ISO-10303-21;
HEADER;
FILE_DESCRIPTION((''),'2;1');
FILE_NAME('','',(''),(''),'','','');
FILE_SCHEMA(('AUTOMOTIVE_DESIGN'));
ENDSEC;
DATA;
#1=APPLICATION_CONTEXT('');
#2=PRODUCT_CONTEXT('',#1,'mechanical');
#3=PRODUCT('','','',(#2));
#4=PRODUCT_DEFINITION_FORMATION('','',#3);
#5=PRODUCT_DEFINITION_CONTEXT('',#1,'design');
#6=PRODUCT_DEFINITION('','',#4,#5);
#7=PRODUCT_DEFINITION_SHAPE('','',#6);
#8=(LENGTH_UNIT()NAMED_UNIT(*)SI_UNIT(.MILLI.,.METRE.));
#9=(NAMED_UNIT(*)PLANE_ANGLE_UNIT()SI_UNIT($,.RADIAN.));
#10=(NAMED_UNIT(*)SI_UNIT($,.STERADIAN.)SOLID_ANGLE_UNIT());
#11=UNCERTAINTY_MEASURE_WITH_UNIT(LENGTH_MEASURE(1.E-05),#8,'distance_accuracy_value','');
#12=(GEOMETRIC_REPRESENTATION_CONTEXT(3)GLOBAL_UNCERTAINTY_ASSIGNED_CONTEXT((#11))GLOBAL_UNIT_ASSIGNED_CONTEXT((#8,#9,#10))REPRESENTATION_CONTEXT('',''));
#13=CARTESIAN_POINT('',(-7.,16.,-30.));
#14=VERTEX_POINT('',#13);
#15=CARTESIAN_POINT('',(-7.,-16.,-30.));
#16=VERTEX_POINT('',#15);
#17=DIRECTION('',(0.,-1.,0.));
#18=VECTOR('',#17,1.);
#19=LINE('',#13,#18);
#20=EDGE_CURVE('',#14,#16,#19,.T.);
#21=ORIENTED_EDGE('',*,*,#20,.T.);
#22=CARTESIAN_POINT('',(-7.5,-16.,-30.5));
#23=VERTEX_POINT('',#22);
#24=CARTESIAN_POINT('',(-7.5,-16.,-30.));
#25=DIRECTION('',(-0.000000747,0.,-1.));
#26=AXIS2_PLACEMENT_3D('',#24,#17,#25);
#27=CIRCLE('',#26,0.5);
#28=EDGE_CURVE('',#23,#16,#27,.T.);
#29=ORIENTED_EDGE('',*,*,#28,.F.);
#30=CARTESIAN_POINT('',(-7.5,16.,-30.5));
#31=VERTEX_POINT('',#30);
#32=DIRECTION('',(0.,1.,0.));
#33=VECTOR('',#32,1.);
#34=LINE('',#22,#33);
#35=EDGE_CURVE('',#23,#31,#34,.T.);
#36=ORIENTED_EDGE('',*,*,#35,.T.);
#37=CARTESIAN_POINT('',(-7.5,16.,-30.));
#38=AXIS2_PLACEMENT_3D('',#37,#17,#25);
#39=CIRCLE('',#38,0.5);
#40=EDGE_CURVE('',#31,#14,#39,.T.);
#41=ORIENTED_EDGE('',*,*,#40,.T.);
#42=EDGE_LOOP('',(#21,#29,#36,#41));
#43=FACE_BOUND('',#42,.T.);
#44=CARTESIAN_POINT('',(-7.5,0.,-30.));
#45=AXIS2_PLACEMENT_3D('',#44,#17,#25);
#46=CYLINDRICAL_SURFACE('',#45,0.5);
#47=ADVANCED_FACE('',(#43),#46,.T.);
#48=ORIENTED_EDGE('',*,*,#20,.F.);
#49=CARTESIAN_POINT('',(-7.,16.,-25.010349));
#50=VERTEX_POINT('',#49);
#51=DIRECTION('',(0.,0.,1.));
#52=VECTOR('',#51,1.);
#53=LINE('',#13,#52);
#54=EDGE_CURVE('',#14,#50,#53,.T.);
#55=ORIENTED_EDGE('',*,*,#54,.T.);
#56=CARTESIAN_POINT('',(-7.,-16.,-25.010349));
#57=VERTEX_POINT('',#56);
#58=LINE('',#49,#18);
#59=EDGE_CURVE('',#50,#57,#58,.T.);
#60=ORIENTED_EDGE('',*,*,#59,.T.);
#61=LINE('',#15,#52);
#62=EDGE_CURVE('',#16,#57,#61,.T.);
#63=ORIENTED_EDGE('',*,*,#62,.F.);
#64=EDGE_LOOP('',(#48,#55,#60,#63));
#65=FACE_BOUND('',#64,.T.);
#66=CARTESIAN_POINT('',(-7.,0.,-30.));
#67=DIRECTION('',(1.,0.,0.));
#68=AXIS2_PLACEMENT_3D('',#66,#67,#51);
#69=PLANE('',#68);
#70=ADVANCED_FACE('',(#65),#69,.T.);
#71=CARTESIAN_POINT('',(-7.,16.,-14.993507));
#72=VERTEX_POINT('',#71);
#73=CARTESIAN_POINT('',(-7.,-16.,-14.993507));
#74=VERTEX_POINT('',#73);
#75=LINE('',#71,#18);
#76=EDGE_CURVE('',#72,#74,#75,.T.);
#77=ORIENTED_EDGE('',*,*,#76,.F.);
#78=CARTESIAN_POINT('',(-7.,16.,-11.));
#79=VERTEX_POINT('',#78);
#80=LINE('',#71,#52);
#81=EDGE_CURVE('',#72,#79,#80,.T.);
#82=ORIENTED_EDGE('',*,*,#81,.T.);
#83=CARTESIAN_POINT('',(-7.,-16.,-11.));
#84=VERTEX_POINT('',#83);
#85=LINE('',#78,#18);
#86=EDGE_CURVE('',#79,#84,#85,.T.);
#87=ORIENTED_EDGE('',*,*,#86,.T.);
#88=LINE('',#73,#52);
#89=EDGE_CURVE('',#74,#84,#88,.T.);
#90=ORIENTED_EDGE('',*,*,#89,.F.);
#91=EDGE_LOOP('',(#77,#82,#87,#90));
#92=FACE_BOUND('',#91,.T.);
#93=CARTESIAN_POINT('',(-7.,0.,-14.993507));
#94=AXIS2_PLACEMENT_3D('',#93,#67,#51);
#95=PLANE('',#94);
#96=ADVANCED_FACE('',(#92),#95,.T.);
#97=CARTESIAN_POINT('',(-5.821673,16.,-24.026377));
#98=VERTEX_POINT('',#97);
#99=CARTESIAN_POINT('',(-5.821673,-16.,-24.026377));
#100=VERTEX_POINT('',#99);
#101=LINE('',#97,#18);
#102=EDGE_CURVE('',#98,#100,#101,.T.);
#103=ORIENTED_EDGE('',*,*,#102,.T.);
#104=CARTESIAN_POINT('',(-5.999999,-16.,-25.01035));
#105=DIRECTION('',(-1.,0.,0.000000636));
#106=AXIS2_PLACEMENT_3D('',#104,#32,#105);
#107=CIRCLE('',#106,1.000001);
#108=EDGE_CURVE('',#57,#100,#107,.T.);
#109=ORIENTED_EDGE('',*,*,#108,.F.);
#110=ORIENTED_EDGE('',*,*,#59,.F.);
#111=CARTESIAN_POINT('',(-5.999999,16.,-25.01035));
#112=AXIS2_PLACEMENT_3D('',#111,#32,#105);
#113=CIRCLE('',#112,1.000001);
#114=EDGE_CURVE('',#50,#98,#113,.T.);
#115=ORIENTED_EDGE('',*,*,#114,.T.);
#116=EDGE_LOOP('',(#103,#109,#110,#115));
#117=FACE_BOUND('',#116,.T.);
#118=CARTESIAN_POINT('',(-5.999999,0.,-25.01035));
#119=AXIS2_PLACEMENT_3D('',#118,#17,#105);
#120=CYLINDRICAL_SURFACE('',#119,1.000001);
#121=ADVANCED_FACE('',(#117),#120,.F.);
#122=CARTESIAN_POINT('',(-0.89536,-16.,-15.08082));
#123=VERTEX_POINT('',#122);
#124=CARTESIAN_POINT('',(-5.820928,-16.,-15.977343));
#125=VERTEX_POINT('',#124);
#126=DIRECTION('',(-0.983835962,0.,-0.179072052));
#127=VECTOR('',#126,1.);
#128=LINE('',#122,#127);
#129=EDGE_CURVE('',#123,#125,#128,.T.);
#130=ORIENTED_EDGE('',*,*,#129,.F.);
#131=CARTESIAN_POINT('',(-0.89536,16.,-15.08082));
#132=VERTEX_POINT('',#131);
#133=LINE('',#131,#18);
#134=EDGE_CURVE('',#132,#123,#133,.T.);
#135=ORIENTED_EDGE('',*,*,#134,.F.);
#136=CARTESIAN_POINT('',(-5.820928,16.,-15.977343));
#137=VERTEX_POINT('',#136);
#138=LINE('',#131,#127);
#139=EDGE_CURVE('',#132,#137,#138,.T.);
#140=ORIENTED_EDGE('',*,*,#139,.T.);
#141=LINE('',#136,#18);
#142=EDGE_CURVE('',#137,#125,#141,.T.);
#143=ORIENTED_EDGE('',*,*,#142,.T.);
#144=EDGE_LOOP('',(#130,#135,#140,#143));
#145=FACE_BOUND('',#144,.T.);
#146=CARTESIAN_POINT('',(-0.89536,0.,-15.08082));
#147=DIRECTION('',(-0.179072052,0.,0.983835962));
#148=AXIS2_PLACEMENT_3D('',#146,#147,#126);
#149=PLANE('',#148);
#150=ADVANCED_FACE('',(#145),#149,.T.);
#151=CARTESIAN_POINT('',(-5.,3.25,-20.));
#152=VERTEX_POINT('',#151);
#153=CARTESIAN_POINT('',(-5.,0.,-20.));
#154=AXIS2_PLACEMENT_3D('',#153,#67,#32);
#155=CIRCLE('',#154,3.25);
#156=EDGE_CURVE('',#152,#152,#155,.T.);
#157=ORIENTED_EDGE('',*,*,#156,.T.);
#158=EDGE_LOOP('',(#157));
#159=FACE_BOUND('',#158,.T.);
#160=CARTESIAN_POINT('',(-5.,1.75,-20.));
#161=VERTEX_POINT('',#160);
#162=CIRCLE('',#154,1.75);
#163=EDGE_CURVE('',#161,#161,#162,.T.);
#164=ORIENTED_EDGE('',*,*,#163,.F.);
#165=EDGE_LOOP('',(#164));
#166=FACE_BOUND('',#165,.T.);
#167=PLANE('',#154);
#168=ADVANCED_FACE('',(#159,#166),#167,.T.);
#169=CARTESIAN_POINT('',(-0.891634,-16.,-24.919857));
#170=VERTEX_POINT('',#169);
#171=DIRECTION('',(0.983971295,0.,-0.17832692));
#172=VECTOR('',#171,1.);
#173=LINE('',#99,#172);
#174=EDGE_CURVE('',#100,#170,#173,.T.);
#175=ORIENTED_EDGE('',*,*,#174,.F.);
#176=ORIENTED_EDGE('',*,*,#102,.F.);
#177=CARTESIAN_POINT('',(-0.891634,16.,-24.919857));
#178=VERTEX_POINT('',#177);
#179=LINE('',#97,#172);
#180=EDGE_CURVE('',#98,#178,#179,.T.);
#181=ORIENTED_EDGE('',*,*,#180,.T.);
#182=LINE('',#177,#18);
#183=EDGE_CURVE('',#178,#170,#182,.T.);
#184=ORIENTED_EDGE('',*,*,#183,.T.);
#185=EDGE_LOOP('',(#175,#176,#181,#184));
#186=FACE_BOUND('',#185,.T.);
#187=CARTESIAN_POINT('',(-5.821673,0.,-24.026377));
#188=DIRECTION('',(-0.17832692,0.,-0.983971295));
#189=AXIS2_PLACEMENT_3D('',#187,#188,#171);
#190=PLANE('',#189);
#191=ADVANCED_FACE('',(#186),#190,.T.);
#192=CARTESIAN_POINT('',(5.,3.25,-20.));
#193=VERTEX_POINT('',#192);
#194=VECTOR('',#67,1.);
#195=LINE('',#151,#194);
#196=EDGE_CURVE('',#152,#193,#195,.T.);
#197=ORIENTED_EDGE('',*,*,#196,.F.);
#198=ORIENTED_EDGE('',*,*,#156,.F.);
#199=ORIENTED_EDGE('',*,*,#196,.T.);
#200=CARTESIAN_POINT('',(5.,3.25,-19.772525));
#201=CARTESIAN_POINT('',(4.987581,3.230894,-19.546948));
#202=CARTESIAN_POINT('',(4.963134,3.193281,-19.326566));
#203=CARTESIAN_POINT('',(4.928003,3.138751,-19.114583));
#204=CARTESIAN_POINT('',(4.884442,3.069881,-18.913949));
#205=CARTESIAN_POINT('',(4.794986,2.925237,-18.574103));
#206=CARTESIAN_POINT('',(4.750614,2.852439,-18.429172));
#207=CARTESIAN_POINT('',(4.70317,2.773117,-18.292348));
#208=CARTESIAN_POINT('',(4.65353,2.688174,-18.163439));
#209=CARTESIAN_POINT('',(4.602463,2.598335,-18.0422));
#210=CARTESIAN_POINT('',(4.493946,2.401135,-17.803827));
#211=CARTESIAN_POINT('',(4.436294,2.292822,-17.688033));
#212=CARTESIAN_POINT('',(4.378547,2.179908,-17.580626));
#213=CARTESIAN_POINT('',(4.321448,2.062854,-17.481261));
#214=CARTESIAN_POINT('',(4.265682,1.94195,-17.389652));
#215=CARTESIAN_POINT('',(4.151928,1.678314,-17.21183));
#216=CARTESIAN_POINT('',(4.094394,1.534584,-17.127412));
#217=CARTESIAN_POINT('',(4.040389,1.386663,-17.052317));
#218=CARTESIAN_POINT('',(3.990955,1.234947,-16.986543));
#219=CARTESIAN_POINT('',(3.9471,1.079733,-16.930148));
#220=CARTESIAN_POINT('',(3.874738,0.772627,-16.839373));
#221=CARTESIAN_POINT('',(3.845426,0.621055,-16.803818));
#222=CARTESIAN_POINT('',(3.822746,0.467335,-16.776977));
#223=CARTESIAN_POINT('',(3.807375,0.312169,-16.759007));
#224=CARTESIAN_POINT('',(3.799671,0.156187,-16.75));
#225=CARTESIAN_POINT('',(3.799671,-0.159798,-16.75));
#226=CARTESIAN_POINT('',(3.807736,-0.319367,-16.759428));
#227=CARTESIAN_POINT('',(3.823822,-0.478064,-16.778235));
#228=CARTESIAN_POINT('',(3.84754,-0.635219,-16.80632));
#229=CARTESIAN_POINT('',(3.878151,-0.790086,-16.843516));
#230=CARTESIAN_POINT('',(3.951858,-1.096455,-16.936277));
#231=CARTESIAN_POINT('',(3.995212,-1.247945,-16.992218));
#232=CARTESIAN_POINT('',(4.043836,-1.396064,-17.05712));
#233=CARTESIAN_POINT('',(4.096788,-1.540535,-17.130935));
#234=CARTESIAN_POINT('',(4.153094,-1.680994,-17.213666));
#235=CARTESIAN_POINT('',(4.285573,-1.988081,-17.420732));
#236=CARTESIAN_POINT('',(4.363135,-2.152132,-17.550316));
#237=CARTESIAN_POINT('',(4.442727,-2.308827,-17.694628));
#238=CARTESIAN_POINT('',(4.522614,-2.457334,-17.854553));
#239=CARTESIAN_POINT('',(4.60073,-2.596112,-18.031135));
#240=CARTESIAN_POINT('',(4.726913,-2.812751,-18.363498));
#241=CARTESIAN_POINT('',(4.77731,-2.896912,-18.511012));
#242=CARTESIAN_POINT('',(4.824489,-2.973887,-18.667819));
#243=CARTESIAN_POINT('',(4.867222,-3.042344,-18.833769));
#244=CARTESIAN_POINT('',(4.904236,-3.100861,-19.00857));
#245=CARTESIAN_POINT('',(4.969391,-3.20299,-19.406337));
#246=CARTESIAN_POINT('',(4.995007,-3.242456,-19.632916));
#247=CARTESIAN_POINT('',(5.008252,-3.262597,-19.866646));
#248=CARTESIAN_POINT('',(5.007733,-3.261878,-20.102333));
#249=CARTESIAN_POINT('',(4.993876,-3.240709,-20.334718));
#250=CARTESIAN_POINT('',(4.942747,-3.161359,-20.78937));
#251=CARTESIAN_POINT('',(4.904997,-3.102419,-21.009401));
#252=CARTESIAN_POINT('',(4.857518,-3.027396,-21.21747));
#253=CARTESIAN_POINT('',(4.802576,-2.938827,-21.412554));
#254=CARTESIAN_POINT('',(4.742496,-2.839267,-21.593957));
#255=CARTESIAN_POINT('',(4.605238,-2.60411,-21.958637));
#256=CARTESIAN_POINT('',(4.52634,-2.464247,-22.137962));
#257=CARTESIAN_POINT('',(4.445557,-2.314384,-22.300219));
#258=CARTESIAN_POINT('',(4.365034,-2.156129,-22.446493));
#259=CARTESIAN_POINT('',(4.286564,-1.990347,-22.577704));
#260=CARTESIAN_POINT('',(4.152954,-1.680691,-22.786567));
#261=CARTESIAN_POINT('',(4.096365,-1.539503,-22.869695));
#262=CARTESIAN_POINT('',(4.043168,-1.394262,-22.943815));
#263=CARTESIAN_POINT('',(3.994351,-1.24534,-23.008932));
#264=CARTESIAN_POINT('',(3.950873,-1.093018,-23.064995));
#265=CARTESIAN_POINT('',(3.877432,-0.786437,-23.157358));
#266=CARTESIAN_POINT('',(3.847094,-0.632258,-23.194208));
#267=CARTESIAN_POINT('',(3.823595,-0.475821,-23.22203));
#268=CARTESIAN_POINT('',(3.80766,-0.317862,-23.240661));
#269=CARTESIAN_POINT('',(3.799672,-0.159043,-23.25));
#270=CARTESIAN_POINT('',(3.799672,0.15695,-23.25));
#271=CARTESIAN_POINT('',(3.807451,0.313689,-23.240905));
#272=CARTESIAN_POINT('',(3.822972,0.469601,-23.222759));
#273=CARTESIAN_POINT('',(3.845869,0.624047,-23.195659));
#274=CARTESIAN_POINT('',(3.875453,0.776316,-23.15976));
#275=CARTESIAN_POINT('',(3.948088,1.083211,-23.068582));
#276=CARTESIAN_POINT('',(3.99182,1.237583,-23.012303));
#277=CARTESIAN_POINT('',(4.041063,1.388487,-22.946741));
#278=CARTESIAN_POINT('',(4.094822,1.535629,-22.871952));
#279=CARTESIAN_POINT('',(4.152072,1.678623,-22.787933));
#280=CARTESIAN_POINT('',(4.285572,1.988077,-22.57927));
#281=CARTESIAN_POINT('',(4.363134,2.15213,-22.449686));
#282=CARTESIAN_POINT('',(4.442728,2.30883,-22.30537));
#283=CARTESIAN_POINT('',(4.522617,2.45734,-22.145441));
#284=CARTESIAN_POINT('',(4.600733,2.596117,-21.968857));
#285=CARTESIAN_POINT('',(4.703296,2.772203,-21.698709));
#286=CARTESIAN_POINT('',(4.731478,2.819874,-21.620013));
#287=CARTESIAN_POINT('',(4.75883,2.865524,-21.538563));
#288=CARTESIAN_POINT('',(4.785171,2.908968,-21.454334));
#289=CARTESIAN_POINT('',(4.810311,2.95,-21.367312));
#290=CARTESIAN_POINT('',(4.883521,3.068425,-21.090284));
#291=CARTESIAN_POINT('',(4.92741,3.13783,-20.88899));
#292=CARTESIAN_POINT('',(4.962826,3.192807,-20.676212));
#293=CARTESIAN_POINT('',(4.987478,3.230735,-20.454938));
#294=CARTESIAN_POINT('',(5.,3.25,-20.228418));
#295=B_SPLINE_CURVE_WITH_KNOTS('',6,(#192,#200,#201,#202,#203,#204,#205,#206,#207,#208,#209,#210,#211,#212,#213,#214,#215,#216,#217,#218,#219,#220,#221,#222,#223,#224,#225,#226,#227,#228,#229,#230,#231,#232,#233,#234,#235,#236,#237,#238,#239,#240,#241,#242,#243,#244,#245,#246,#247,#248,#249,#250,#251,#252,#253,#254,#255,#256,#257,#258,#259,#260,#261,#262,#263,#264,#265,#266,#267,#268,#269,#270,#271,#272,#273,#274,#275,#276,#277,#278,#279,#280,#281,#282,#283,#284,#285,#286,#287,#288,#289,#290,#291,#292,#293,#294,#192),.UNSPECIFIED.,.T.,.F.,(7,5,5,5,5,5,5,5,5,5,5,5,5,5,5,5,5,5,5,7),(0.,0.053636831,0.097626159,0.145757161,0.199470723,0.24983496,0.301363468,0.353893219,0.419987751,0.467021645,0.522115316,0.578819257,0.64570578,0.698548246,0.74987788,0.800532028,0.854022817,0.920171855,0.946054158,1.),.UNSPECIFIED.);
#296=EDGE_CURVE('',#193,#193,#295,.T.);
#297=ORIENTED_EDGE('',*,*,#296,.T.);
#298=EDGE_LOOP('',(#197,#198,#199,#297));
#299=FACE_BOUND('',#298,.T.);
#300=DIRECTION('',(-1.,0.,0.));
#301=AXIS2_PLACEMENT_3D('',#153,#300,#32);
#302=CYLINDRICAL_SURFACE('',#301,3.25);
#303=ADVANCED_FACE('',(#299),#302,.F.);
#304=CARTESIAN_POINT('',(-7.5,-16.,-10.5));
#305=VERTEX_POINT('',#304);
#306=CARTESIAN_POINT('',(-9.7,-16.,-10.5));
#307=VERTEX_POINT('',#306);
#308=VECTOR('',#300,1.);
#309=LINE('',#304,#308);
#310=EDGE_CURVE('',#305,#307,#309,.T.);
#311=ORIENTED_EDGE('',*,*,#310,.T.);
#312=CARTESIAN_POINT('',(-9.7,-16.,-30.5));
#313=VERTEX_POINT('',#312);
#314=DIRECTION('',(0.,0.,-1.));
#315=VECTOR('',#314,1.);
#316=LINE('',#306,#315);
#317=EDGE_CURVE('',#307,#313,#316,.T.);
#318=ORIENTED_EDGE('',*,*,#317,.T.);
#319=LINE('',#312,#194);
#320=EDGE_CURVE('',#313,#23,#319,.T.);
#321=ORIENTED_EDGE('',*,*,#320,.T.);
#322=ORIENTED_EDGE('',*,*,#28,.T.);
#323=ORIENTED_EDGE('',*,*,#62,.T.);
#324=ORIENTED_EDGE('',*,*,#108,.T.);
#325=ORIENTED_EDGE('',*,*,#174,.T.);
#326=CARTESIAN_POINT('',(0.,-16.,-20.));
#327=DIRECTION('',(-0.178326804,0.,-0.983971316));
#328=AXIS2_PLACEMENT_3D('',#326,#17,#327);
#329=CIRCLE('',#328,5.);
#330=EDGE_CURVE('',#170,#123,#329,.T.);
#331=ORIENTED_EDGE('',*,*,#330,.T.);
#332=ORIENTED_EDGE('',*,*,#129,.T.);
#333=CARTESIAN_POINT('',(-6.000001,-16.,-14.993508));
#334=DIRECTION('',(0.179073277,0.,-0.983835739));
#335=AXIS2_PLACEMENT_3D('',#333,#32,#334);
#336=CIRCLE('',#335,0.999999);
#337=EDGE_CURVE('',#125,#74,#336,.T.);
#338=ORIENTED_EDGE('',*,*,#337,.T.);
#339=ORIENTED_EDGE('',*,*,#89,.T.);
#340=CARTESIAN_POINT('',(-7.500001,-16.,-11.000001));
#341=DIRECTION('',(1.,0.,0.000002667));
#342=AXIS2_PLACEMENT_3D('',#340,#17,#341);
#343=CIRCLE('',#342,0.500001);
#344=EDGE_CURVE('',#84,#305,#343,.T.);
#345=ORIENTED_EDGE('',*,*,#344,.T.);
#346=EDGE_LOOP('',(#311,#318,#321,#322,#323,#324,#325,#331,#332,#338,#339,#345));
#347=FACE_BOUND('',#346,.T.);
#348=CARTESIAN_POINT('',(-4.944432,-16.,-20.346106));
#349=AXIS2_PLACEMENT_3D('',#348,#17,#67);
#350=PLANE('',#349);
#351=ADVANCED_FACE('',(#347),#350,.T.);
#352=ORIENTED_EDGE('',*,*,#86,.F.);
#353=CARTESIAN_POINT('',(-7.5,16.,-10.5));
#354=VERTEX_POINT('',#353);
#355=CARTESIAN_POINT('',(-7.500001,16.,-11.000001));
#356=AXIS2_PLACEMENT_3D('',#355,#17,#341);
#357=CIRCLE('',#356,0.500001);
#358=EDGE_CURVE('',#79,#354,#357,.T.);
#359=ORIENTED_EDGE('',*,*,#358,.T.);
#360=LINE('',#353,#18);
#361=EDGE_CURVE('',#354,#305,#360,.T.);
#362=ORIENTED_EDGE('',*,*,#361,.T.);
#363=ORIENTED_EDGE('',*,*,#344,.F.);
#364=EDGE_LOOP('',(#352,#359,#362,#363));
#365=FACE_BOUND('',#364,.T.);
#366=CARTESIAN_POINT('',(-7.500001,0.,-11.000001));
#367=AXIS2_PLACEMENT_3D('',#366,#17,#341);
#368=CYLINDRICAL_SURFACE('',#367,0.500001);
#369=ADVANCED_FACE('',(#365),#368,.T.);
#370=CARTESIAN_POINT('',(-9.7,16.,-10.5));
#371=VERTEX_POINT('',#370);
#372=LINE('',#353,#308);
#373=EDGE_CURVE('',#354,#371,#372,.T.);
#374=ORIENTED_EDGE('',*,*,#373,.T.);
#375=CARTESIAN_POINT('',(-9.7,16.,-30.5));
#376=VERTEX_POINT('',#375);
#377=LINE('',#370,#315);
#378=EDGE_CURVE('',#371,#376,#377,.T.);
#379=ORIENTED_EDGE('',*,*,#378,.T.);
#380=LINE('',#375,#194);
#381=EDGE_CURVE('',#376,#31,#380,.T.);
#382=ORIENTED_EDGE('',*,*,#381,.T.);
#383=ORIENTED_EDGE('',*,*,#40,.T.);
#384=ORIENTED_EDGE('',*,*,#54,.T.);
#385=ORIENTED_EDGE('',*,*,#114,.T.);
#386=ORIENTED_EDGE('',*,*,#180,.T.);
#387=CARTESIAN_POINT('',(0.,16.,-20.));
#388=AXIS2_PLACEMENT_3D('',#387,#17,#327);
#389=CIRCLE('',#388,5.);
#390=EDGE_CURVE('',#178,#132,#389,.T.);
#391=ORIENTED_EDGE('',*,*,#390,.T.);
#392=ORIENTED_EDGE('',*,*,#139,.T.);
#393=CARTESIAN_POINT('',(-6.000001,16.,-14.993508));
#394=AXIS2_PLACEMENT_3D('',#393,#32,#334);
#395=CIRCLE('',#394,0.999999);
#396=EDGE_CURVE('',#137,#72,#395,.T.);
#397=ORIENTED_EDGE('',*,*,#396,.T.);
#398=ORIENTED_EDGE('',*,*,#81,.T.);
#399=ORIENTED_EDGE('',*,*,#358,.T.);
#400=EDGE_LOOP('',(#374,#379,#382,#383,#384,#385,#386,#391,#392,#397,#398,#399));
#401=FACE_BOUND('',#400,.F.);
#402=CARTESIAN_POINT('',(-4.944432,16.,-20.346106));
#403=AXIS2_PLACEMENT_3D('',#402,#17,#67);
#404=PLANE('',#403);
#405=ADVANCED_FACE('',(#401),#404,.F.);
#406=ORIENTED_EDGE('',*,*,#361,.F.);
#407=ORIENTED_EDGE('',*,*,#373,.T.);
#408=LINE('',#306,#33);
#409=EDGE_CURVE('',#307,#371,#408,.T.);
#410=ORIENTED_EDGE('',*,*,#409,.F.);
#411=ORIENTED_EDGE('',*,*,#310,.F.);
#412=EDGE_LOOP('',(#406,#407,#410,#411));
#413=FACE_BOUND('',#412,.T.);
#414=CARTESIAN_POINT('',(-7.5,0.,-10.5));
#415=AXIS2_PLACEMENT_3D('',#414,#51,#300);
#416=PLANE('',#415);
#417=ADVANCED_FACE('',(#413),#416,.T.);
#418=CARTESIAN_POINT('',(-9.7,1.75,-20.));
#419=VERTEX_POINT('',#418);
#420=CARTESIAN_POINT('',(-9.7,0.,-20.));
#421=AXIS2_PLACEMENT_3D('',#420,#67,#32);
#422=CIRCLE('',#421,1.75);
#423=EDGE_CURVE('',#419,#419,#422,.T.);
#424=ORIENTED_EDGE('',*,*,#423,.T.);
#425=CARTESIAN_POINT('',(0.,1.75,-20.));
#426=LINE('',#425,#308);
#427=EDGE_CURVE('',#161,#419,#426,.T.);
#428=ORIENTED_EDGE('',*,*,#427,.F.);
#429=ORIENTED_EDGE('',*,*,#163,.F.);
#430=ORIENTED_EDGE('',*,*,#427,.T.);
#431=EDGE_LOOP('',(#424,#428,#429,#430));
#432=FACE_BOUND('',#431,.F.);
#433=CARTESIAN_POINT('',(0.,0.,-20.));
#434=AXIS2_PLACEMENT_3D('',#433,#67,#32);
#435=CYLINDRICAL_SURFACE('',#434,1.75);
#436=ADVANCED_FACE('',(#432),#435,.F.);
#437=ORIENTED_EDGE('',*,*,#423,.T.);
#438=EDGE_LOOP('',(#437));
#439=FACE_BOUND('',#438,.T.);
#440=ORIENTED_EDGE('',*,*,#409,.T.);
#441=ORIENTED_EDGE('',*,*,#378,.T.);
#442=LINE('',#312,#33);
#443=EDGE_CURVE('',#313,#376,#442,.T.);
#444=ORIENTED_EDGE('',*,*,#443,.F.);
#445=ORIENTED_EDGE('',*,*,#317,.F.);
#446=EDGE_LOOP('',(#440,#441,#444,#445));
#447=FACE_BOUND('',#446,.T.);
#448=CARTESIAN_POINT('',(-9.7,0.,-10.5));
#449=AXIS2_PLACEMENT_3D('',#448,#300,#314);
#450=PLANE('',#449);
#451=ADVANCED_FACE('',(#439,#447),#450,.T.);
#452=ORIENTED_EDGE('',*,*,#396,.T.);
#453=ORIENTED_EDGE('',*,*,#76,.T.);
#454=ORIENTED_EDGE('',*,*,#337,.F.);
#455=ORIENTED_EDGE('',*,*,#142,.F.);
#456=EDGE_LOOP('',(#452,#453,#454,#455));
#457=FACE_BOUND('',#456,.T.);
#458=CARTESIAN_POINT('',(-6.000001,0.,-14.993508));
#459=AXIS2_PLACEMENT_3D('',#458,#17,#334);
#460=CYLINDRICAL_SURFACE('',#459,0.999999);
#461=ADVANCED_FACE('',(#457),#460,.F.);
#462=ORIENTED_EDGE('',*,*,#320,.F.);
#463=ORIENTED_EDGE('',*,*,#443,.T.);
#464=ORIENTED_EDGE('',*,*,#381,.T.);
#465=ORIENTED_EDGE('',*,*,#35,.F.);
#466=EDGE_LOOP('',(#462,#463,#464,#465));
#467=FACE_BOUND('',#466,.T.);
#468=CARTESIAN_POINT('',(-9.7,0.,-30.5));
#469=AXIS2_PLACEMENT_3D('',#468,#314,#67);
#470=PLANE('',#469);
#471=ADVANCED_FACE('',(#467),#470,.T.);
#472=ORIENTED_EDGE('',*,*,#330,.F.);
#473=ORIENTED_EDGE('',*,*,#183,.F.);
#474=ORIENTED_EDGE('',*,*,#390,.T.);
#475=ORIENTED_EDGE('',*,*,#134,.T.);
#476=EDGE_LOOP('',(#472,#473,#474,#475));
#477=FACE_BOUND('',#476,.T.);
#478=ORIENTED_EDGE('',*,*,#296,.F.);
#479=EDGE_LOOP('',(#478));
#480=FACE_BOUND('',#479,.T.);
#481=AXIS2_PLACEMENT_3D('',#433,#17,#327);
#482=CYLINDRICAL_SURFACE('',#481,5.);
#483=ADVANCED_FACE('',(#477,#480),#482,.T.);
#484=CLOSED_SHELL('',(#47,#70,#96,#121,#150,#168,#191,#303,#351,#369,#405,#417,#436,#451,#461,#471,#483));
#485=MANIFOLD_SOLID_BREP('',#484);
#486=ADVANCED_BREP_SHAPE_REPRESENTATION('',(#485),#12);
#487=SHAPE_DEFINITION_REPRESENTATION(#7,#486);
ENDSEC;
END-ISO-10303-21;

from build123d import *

# Parameters (mm, degrees)
PAD102_DEPTH      = 16
SKETCH199_R       = 1.75
POCKET_DEPTH      = 9.701
POCKET_DEPTH_BACK = 5.001
SKETCH200_R       = 3.25
POCKET073_DEPTH   = 10.001


with BuildPart() as part:
    # Sketch198 → Pad102 (new body, symmetric)
    with BuildSketch(Plane.XZ):
        with BuildLine():
            ThreePointArc((-7.5, -30.5), (-7.146447, -30.353554), (-7, -30))
            Line((-7, -30), (-7, -25.010349))
            ThreePointArc((-7, -25.010349), (-6.640965, -24.242779), (-5.821673, -24.026377))
            Line((-5.821673, -24.026377), (-0.891634, -24.919857))
            ThreePointArc((-0.891634, -24.919857), (5, -19.998107), (-0.89536, -15.08082))
            Line((-0.89536, -15.08082), (-5.820928, -15.977343))
            ThreePointArc((-5.820928, -15.977343), (-6.640675, -15.76132), (-7, -14.993507))
            Line((-7, -14.993507), (-7, -11))
            ThreePointArc((-7, -11), (-7.146447, -10.646447), (-7.5, -10.5))
            Line((-7.5, -10.5), (-9.7, -10.5))
            Line((-9.7, -10.5), (-9.7, -30.5))
            Line((-9.7, -30.5), (-7.5, -30.5))
        make_face()
    extrude(amount=PAD102_DEPTH, both=True)

    # Sketch199 → Pocket (cut, two sides)
    with BuildSketch(Plane.YZ) as pocket_sk:
        with Locations((0, -20)):
            Circle(SKETCH199_R)
    extrude(amount=-POCKET_DEPTH, mode=Mode.SUBTRACT)
    extrude(pocket_sk.sketch, amount=POCKET_DEPTH_BACK, mode=Mode.SUBTRACT)

    # Sketch200 → Pocket073 (cut, through all)
    with BuildSketch(Plane.YZ.offset(-5)):
        with Locations((0, -20)):
            Circle(SKETCH200_R)
    extrude(amount=POCKET073_DEPTH, mode=Mode.SUBTRACT)


solid = part.part
